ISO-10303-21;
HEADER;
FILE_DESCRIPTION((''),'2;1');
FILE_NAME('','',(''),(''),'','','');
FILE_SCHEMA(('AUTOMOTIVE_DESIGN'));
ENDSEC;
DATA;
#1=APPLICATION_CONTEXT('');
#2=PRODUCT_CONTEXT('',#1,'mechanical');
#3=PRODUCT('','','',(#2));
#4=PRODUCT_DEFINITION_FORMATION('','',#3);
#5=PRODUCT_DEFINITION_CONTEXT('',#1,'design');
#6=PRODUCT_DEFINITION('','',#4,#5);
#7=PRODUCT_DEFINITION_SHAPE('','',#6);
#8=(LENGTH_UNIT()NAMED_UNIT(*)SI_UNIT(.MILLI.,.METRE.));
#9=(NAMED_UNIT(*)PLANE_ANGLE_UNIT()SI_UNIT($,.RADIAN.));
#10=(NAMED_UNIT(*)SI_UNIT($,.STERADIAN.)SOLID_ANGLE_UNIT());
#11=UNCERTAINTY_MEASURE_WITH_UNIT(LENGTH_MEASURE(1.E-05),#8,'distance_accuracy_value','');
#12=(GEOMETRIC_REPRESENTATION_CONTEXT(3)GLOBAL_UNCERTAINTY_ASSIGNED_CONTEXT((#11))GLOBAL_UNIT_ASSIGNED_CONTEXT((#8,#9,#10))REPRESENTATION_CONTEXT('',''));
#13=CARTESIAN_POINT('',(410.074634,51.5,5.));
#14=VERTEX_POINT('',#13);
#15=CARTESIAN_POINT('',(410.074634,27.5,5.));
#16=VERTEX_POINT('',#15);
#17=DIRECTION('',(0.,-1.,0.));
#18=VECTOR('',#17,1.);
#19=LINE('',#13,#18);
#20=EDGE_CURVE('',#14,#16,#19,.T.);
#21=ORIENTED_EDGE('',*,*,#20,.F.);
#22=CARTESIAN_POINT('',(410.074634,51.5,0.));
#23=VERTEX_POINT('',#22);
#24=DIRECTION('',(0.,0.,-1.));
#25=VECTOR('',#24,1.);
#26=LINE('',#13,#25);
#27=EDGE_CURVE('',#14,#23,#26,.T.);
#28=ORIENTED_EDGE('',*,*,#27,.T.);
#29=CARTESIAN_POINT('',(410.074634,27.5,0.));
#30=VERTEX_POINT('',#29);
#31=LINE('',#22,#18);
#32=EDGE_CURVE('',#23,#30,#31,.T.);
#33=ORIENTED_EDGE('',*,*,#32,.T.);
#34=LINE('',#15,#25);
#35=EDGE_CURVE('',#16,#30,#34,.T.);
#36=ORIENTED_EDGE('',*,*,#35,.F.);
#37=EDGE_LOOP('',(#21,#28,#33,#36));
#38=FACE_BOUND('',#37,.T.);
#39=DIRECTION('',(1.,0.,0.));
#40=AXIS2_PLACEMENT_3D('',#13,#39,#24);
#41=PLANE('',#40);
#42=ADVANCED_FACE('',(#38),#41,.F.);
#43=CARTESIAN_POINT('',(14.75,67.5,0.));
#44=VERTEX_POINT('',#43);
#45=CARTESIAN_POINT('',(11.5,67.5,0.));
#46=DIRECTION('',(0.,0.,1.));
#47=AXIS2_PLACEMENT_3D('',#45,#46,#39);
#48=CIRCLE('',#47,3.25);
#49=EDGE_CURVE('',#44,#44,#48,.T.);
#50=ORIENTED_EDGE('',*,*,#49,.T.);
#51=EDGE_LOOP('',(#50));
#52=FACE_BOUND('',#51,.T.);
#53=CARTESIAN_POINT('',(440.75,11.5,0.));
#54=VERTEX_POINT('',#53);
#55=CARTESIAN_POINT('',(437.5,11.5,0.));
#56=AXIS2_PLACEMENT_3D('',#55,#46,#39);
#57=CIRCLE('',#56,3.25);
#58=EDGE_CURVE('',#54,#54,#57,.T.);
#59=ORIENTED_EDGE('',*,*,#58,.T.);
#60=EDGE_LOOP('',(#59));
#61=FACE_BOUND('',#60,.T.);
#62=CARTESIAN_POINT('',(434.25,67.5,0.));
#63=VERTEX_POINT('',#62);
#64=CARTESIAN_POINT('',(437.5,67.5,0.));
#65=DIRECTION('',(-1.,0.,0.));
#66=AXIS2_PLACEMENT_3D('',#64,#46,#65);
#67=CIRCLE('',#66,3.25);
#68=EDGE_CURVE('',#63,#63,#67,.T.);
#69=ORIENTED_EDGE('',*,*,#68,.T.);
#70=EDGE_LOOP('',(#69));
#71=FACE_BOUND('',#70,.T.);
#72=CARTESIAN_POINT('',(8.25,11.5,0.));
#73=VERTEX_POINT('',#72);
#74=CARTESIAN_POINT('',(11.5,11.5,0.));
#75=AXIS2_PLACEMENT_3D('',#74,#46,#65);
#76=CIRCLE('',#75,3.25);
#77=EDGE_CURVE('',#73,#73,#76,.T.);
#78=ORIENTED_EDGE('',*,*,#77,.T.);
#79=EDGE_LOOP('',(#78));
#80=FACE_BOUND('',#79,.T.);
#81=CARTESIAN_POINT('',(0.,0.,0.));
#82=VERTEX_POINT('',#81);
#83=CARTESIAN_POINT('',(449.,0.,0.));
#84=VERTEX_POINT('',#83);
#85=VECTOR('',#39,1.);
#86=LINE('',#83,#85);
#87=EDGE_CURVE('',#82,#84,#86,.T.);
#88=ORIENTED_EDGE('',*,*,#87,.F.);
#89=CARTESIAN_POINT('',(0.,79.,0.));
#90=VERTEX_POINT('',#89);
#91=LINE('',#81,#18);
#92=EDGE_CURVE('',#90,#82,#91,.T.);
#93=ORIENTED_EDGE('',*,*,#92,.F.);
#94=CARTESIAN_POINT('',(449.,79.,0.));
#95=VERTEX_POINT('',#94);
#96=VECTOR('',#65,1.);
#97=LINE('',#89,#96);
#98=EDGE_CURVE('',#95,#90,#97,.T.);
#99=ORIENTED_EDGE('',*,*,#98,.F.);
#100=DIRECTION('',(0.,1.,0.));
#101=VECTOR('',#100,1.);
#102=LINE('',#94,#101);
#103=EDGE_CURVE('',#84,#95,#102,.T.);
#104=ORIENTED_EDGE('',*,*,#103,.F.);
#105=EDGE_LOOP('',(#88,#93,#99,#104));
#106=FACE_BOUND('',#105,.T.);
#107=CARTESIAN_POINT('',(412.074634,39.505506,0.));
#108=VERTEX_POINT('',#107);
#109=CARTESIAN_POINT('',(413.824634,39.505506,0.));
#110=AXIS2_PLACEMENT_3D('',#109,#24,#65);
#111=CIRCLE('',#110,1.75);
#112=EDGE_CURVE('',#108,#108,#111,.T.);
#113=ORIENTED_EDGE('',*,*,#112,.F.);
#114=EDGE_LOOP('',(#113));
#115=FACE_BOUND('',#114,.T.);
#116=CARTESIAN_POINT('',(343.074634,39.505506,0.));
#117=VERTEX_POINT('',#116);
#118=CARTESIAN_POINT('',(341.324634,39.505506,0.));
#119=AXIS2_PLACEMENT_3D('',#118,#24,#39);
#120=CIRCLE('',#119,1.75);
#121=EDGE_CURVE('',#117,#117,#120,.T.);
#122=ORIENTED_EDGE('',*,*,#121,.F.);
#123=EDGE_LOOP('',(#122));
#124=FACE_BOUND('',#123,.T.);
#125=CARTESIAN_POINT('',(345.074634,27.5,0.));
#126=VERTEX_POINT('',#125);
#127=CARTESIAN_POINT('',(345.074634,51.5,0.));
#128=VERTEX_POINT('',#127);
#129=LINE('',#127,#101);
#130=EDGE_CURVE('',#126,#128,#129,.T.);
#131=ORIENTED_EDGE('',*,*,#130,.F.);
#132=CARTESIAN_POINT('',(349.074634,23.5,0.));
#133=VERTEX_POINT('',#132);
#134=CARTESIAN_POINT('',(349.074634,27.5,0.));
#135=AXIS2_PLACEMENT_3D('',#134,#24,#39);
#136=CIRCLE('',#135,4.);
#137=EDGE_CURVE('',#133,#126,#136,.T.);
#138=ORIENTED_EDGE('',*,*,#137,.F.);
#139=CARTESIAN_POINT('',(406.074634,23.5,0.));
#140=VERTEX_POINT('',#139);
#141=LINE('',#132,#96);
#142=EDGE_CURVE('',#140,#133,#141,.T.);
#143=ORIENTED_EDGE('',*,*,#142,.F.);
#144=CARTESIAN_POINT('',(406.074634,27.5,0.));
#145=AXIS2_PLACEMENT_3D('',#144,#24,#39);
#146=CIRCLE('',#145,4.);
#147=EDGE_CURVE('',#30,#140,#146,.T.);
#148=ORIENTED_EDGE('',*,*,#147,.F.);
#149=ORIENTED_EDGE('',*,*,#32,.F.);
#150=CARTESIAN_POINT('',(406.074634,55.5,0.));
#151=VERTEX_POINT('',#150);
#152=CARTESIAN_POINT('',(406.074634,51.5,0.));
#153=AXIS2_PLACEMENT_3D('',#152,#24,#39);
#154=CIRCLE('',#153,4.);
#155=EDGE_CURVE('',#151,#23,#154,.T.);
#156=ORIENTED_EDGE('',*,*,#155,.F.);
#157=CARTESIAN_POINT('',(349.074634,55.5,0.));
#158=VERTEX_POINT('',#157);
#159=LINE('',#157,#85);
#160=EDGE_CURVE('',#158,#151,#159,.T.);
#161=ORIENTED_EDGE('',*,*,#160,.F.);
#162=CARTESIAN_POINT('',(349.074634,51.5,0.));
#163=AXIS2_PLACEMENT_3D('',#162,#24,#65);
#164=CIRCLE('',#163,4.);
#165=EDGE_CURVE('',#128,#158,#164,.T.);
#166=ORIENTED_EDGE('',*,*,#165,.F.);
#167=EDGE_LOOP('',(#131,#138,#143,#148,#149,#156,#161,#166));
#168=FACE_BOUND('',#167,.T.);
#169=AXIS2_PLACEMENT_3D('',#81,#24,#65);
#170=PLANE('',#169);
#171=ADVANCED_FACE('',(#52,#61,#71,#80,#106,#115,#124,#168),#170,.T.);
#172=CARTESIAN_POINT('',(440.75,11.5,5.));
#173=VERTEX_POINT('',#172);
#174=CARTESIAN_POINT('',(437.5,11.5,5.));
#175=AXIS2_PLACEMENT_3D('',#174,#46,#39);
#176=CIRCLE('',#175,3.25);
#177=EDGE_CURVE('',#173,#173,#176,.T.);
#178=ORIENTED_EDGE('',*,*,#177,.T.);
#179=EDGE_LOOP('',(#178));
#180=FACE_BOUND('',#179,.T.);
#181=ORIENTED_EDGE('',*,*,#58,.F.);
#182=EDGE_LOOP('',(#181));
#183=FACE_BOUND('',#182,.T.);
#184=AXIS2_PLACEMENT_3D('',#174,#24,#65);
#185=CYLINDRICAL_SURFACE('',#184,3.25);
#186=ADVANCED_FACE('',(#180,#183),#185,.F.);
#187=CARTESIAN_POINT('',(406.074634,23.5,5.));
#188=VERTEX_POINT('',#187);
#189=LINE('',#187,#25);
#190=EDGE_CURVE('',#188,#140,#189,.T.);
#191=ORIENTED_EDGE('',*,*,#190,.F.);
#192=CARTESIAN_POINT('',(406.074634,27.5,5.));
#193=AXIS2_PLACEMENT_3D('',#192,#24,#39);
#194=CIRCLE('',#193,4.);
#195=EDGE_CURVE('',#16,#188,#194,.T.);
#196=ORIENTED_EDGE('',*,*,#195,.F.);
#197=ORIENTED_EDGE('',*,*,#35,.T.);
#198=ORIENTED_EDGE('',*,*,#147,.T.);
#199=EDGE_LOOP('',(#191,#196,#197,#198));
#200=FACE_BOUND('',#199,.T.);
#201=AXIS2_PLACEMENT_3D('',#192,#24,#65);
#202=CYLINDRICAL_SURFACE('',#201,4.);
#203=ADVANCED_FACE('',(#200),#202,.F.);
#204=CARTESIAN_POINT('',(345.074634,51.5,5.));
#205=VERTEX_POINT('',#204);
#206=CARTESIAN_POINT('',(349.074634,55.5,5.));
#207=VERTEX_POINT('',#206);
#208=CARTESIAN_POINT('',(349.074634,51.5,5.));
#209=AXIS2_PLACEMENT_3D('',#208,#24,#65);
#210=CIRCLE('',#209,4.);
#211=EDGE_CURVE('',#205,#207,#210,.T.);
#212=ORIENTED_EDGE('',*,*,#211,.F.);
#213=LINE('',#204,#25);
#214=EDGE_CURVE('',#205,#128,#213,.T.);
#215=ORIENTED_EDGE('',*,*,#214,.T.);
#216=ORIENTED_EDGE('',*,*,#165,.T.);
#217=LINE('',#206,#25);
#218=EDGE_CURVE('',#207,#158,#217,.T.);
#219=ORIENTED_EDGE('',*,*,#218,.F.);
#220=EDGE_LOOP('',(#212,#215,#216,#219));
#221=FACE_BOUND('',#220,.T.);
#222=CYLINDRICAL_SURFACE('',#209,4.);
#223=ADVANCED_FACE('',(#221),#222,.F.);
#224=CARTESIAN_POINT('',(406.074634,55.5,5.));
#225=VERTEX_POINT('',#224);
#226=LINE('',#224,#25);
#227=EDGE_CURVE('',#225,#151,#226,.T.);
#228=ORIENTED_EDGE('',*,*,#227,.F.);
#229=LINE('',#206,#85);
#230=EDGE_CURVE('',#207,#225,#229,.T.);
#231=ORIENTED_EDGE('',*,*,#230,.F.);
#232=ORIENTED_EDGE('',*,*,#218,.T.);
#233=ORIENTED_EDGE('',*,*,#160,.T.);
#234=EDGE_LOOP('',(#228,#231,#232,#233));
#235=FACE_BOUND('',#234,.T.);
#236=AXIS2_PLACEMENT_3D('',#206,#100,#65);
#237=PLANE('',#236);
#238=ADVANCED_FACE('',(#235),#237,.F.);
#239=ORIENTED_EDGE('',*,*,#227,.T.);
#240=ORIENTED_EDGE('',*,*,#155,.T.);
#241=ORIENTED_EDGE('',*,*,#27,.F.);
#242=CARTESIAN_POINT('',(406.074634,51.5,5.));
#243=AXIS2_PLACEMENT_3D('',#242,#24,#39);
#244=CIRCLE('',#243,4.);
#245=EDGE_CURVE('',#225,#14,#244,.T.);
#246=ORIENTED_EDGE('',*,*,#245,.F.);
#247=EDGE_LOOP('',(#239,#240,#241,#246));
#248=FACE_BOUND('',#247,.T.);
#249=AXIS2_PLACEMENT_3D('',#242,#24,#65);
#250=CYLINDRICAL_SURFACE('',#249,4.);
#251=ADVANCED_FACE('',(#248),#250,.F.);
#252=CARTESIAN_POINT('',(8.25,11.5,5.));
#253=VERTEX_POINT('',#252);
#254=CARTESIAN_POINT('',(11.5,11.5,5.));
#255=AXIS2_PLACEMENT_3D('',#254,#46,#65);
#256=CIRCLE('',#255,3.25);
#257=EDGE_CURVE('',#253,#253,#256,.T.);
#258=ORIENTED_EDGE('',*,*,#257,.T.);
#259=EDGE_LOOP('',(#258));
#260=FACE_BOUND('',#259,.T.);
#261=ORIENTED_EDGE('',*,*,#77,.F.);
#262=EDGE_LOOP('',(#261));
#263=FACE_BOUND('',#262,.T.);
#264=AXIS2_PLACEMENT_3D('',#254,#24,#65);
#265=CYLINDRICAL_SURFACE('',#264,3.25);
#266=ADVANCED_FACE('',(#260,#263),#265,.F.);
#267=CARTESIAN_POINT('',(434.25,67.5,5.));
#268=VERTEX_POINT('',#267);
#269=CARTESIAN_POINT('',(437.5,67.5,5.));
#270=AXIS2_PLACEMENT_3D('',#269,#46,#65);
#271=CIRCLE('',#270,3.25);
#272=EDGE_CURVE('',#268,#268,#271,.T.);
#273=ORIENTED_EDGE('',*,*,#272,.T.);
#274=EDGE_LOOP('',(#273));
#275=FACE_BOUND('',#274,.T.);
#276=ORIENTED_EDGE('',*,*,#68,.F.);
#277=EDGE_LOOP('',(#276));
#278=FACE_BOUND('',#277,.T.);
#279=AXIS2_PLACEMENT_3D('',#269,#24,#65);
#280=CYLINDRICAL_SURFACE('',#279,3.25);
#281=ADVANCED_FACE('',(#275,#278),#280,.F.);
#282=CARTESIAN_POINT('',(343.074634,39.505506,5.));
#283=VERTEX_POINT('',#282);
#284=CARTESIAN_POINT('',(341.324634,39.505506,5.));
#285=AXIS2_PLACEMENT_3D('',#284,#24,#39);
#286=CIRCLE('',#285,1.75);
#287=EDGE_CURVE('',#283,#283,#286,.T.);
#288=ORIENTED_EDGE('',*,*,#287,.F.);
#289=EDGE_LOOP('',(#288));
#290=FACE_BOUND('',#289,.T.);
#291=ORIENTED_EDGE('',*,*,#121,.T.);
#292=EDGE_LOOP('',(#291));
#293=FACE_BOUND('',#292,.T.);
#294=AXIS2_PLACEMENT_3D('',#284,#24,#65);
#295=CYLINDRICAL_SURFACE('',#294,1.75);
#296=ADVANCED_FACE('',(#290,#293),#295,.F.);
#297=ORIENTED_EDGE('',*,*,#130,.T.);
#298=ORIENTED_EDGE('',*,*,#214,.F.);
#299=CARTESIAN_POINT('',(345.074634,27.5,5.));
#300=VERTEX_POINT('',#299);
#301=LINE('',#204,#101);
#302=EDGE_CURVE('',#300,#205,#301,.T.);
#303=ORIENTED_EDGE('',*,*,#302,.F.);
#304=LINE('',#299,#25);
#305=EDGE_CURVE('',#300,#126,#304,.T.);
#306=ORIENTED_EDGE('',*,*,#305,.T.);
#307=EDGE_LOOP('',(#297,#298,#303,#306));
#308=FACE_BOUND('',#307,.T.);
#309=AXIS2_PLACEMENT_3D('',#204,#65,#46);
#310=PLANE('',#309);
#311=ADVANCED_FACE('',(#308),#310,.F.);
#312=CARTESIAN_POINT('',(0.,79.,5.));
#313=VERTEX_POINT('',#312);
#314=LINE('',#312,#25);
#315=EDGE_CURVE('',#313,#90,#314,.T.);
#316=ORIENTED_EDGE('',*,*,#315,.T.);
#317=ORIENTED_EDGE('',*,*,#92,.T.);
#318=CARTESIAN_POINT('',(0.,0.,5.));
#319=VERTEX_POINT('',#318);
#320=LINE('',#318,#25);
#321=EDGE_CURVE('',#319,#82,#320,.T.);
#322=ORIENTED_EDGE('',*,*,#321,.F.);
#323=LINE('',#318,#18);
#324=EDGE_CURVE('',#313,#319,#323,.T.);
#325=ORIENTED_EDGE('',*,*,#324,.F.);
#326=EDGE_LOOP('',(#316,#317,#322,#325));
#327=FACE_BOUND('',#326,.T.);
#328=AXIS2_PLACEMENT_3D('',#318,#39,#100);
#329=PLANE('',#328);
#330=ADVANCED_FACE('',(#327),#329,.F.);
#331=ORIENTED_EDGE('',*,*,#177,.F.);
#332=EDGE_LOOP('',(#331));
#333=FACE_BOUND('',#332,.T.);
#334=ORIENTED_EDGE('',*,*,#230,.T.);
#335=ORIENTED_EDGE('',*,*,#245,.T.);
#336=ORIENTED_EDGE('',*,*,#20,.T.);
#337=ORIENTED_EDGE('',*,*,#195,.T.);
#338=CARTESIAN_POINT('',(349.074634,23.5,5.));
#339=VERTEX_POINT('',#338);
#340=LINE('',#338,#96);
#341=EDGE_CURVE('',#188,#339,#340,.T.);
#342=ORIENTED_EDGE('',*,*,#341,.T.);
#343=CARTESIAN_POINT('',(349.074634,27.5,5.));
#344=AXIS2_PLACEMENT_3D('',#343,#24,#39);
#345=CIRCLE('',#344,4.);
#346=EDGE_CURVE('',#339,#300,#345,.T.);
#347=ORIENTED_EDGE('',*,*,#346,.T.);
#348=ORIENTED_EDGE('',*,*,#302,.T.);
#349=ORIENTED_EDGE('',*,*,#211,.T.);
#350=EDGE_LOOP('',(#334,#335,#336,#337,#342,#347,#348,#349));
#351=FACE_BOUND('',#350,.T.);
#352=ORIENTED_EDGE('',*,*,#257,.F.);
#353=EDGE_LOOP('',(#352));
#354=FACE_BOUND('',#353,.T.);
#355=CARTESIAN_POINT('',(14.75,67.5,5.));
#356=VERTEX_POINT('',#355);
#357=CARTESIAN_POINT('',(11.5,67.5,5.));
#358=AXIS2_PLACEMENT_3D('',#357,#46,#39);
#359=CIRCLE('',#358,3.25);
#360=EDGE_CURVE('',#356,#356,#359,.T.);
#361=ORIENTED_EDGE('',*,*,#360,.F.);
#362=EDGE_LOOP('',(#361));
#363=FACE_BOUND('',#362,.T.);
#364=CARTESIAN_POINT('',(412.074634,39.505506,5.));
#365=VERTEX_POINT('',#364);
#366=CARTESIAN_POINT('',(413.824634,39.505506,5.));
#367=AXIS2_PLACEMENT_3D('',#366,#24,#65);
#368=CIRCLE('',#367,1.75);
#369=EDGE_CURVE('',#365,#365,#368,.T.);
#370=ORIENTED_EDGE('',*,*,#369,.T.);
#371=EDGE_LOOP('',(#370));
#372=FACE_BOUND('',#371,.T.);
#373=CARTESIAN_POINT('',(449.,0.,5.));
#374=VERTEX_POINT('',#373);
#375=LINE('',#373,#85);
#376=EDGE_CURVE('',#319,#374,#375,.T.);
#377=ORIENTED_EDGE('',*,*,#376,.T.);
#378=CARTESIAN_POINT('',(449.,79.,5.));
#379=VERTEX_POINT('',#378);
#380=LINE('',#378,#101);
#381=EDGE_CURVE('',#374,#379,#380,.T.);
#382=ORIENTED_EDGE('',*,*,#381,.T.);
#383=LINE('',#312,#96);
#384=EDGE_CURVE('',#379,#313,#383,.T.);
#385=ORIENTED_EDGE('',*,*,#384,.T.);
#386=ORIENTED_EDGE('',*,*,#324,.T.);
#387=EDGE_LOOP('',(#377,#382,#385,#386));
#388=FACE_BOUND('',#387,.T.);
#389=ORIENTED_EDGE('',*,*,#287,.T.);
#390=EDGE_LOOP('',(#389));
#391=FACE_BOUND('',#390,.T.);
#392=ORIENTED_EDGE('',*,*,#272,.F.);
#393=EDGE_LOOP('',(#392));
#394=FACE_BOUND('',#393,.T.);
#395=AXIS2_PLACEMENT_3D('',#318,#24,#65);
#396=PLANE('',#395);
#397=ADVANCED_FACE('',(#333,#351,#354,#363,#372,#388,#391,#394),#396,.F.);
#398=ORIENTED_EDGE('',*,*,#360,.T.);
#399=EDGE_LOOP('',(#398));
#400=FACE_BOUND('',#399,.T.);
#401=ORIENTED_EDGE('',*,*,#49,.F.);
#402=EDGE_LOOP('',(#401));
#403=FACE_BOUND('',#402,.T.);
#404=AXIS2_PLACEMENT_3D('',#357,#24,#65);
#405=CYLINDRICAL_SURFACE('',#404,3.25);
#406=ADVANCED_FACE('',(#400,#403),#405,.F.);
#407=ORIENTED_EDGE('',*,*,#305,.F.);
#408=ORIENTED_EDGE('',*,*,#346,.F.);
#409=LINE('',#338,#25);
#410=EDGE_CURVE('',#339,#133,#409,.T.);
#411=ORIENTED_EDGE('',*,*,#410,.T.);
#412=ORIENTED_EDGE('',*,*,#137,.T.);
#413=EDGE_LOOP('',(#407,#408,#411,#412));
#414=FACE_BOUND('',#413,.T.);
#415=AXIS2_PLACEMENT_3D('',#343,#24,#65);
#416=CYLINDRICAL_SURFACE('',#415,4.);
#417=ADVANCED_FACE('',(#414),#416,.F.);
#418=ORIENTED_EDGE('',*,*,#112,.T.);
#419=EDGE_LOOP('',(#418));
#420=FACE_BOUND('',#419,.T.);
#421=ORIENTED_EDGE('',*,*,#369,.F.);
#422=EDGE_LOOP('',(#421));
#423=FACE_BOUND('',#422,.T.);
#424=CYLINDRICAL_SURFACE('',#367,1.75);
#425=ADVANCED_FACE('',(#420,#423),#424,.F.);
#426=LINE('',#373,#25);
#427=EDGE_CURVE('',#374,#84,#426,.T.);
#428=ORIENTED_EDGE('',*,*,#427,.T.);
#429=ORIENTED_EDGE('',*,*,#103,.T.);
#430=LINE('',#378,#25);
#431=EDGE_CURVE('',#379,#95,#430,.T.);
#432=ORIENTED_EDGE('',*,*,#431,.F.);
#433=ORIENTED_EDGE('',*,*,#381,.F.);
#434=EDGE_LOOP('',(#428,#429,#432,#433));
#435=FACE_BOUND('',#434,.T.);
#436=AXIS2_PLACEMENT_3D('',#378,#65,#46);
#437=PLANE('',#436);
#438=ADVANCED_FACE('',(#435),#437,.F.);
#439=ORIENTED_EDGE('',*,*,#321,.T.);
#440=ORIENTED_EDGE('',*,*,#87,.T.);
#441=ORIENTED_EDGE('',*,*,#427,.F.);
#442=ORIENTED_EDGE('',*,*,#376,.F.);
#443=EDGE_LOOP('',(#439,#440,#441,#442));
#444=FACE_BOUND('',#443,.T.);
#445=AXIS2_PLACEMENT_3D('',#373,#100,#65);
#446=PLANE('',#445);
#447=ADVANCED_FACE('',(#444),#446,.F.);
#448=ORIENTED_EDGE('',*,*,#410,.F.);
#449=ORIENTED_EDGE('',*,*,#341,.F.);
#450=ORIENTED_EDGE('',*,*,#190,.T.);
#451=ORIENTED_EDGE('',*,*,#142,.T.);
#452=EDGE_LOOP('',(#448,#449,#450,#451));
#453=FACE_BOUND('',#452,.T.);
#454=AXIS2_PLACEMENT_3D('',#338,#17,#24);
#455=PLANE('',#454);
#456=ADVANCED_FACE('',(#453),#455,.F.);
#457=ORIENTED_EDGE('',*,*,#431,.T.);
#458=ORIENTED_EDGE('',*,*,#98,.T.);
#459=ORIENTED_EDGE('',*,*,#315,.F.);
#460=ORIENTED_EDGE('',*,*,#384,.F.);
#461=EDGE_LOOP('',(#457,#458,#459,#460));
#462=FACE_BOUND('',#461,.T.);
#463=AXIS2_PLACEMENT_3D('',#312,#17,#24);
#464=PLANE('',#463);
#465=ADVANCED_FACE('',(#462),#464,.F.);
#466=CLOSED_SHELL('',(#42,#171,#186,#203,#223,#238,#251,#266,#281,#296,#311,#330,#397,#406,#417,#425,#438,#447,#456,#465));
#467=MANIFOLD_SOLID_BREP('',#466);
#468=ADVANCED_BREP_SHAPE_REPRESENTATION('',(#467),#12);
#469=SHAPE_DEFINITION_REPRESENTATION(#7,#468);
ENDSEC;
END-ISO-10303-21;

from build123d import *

# Parameters (mm, degrees)
SKETCH_F_W                   = 449
SKETCH_F_H                   = 79
SKETCH_F_R                   = 3.25
ESTRUSIONE_ESTRUSIONE1_DEPTH = 5
SKETCH1_R                    = 1.75
EXTRUDE1_DEPTH               = 6


with BuildPart() as part:
    # Sketch f → Estrusione-Estrusione1 (new body)
    with BuildSketch(Plane.XY):
        with Locations((224.5, 39.5)):
            Rectangle(SKETCH_F_W, SKETCH_F_H)
        with Locations((11.5, 67.5)):
            Circle(SKETCH_F_R, mode=Mode.SUBTRACT)
        with Locations((437.5, 67.5)):
            Circle(SKETCH_F_R, mode=Mode.SUBTRACT)
        with Locations((11.5, 11.5)):
            Circle(SKETCH_F_R, mode=Mode.SUBTRACT)
        with Locations((437.5, 11.5)):
            Circle(SKETCH_F_R, mode=Mode.SUBTRACT)
    extrude(amount=ESTRUSIONE_ESTRUSIONE1_DEPTH)

    # Sketch1 → Extrude1 (cut, through all)
    with BuildSketch(Plane(origin=(0, 0, 0), x_dir=(-1, 0, 0), z_dir=(0, 0, -1))):
        with Locations((-341.3246338, 39.505506417)):
            Circle(SKETCH1_R)
        with Locations((-413.8246338, 39.505506417)):
            Circle(SKETCH1_R)
        with BuildLine():
            Line((-349.0746338, 55.5), (-406.0746338, 55.5))
            ThreePointArc((-406.0746338, 55.5), (-408.903060925, 54.328427125), (-410.0746338, 51.5))
            Line((-410.0746338, 51.5), (-410.0746338, 27.5))
            ThreePointArc((-410.0746338, 27.5), (-408.903060925, 24.671572875), (-406.0746338, 23.5))
            Line((-406.0746338, 23.5), (-349.0746338, 23.5))
            ThreePointArc((-349.0746338, 23.5), (-346.246206675, 24.671572875), (-345.0746338, 27.5))
            Line((-345.0746338, 27.5), (-345.0746338, 51.5))
            ThreePointArc((-345.0746338, 51.5), (-346.246206675, 54.328427125), (-349.0746338, 55.5))
        make_face()
    extrude(amount=-EXTRUDE1_DEPTH, mode=Mode.SUBTRACT)


solid = part.part
